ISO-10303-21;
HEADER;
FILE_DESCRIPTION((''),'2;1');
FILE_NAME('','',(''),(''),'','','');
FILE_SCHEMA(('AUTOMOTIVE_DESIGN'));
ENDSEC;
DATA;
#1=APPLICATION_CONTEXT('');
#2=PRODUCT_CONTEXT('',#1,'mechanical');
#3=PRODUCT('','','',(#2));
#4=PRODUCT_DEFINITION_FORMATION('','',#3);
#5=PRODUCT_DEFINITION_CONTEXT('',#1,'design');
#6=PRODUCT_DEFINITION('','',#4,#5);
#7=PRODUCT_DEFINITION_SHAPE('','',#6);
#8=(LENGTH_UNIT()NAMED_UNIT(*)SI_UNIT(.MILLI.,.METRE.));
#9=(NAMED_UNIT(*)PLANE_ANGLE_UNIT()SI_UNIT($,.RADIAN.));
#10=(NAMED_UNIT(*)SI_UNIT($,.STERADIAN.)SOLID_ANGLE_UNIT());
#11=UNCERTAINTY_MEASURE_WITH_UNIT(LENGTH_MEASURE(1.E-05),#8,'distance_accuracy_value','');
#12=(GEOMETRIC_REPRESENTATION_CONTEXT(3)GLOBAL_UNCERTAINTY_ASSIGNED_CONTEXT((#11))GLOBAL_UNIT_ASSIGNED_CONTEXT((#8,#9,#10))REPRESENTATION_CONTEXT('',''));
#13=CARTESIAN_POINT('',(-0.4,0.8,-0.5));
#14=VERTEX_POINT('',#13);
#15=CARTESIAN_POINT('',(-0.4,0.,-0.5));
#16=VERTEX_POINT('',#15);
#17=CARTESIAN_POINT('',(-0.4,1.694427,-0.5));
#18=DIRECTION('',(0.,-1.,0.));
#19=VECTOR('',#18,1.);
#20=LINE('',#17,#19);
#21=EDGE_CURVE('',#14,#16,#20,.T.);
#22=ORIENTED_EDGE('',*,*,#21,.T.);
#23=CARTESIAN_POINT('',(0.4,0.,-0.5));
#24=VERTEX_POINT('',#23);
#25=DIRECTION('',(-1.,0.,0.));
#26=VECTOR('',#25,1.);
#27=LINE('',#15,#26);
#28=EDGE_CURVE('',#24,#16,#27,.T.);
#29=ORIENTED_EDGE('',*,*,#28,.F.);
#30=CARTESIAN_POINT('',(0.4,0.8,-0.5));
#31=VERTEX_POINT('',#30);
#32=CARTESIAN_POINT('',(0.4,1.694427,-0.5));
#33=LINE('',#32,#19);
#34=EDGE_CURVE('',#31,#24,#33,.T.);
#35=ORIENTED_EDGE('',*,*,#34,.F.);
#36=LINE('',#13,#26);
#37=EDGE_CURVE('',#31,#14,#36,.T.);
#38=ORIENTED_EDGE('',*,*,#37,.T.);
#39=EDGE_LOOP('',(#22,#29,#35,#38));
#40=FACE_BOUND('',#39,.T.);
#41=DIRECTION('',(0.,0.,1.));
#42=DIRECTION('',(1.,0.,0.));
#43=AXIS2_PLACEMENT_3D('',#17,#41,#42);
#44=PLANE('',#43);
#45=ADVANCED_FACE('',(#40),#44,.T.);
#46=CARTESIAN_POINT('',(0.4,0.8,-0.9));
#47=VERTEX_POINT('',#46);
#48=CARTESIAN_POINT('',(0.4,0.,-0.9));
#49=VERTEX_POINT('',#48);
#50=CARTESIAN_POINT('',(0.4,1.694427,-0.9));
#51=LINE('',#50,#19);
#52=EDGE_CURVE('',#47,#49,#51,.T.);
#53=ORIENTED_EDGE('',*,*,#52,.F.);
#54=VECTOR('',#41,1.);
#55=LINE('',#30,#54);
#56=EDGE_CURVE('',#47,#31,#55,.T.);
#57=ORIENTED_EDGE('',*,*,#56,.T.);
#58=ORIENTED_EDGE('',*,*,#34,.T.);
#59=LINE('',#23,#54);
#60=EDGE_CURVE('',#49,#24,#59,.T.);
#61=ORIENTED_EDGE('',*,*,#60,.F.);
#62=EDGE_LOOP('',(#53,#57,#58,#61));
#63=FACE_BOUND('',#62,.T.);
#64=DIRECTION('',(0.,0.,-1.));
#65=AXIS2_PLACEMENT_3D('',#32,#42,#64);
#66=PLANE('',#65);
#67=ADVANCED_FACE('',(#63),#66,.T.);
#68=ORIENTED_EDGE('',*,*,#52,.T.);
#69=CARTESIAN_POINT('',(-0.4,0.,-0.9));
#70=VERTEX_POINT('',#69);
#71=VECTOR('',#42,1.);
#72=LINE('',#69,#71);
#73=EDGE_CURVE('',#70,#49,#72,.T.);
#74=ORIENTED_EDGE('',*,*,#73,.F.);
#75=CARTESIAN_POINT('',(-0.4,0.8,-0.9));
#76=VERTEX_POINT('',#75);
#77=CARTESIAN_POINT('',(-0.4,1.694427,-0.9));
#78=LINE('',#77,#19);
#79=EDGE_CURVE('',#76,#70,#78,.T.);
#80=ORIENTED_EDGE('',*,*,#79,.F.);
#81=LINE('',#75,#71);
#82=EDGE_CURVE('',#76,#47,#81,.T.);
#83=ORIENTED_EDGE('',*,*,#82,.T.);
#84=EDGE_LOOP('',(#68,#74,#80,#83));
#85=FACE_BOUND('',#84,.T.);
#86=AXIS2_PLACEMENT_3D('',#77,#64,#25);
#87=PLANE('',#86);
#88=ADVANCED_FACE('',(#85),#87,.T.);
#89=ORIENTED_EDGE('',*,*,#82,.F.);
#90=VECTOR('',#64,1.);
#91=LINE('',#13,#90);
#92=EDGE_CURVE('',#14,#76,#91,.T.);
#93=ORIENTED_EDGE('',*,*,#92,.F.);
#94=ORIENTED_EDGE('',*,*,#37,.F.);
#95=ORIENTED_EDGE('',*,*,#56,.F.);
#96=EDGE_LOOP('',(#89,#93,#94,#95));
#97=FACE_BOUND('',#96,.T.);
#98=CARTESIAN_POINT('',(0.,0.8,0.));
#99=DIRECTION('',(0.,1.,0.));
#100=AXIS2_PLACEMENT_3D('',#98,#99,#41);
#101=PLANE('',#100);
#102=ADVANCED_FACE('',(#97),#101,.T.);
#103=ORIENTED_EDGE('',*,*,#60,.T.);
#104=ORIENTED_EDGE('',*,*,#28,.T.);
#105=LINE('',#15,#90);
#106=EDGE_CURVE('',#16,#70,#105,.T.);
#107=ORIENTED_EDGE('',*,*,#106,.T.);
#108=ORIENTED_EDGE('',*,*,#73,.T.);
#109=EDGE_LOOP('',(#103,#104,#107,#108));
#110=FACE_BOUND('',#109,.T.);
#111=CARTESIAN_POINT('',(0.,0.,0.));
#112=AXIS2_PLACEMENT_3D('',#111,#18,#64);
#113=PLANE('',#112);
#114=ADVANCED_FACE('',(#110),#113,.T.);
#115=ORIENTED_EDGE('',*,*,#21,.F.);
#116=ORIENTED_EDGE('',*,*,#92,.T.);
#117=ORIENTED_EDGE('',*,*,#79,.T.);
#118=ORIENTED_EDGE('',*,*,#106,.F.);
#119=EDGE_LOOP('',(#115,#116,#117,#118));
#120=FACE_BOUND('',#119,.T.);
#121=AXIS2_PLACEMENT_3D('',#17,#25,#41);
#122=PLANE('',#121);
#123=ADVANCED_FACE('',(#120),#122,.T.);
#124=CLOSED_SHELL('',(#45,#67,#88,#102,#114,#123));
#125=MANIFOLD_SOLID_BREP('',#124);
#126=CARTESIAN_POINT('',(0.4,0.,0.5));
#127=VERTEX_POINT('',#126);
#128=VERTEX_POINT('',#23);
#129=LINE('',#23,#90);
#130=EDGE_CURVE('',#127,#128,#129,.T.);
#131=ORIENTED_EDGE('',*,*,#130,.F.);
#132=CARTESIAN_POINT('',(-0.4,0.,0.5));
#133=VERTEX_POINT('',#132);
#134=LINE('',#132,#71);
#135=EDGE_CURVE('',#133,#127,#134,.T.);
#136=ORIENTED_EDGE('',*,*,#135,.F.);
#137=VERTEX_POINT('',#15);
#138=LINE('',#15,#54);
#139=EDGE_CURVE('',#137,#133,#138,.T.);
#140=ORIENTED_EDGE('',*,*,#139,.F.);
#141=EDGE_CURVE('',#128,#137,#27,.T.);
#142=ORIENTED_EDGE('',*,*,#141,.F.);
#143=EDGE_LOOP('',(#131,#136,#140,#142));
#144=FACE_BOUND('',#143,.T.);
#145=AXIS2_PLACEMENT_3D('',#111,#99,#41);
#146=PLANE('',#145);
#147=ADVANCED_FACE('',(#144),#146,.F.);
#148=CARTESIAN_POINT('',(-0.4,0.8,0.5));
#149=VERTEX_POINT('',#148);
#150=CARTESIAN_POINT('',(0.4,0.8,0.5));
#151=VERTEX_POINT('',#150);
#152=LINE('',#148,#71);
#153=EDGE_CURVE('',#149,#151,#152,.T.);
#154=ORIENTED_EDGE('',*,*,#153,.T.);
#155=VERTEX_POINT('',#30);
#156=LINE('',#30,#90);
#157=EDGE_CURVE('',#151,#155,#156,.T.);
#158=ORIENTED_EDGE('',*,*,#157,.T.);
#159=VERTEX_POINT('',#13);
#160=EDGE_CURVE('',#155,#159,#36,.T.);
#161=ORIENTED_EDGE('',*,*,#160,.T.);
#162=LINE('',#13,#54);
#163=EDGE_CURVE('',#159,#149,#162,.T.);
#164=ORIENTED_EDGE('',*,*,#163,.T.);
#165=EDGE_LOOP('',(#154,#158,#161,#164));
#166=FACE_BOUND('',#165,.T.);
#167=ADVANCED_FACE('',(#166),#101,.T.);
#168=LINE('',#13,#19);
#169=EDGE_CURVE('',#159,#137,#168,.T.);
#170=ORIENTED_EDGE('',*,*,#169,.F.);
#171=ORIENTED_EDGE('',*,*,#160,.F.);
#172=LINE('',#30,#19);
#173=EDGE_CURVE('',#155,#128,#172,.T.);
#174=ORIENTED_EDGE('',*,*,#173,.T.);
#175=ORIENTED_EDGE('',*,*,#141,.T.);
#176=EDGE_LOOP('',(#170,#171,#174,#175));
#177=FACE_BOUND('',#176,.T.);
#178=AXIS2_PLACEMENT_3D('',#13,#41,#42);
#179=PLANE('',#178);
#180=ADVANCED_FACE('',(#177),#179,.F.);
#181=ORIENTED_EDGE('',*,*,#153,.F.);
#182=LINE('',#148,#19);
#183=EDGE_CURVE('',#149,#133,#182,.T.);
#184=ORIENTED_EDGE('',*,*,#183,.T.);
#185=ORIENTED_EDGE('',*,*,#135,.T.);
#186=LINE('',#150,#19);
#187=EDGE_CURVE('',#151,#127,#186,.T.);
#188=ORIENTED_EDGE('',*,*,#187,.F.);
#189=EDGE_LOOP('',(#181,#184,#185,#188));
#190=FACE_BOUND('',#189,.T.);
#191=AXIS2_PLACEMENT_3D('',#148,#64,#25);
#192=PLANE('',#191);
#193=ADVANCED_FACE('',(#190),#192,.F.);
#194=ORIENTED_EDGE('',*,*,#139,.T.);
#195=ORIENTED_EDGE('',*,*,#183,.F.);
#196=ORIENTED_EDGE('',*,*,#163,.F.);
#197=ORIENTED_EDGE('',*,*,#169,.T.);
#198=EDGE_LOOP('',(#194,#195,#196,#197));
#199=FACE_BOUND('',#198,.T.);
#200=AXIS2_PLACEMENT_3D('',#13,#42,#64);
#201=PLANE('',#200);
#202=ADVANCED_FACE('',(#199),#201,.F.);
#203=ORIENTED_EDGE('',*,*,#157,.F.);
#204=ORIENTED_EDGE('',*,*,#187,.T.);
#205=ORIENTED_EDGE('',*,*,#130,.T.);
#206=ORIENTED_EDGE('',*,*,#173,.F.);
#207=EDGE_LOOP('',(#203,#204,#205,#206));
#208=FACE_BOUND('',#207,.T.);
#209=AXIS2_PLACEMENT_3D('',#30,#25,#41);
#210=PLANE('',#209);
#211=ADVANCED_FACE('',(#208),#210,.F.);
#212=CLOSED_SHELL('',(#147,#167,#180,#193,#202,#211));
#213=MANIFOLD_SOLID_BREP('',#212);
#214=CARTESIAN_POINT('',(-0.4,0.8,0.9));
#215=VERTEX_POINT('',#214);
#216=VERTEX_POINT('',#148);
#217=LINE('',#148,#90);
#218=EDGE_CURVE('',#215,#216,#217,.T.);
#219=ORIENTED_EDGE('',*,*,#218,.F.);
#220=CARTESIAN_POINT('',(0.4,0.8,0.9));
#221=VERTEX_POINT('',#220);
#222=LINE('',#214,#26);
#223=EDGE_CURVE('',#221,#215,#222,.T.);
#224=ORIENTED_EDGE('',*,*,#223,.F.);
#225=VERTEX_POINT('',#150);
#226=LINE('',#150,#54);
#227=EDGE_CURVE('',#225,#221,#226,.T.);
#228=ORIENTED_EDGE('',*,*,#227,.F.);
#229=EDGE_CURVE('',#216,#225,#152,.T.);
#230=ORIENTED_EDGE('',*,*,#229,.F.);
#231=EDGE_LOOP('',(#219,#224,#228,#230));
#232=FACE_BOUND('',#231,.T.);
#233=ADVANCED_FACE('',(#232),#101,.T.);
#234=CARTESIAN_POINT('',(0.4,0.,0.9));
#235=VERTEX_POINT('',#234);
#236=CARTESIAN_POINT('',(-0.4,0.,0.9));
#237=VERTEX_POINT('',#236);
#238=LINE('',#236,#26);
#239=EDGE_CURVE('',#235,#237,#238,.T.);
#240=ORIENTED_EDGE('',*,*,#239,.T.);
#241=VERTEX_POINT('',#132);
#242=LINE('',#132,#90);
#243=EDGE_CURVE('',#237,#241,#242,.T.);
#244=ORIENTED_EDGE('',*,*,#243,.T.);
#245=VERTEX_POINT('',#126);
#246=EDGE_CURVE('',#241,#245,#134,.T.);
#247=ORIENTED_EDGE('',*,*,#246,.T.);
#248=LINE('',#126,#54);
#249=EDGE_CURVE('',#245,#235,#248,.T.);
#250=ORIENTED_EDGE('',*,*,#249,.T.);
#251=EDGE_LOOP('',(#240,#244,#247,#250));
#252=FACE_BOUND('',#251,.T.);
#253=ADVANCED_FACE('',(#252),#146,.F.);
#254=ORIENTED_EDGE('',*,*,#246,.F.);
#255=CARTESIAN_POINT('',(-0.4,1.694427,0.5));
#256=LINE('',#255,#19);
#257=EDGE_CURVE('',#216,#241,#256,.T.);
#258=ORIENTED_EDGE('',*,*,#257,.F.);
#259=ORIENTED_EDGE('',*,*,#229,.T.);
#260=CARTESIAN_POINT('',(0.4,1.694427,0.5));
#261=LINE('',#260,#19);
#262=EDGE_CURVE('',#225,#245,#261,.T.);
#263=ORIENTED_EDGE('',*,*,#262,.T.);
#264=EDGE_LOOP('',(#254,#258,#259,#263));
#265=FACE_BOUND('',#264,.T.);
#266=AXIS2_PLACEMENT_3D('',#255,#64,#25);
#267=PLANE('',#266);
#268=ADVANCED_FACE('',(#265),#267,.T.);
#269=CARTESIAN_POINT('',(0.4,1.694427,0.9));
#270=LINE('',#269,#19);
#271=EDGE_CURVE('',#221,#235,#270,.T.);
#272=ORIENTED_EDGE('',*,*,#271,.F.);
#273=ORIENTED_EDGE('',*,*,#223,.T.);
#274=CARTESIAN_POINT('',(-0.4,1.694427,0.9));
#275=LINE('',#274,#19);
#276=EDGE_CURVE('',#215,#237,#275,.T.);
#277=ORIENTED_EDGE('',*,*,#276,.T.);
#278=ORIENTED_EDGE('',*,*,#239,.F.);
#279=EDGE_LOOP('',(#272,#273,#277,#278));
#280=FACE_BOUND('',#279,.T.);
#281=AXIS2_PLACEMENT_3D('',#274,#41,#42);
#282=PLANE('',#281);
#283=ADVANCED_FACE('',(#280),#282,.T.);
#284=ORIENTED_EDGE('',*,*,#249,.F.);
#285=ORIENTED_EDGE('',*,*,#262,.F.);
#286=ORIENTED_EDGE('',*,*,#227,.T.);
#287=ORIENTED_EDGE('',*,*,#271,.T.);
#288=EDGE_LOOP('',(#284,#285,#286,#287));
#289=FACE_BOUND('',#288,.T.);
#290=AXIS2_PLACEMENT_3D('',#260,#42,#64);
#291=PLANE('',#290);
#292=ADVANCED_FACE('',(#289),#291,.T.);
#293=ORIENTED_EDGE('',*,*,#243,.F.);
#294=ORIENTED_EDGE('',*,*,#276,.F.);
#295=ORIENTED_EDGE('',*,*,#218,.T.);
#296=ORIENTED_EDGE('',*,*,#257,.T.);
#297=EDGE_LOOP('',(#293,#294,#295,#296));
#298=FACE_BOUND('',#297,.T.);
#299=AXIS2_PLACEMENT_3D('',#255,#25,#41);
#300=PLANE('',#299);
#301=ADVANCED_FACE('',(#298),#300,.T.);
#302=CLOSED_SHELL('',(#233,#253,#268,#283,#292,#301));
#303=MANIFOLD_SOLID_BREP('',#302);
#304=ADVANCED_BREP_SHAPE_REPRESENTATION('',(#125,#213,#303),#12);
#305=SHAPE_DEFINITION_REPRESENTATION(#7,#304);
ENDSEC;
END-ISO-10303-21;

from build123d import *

# Parameters (mm, degrees)
MAINBODYS_W         = 0.8
MAINBODYS_H         = 1
MAINBODY_DEPTH      = 0.8
LEFTBODYS_W         = 0.8
LEFTBODYS_H         = 0.4
BOSS_EXTRUDE1_DEPTH = 0.8
RIGHTBODYS_W        = 0.8
RIGHTBODYS_H        = 0.4
BOSS_EXTRUDE2_DEPTH = 0.8


with BuildPart() as part:
    # MainBodyS → MainBody (new body)
    with BuildSketch(Plane(origin=(0, 0, 0), x_dir=(1, 0, 0), z_dir=(0, 1, 0))):
        Rectangle(MAINBODYS_W, MAINBODYS_H)
    extrude(amount=MAINBODY_DEPTH)


with BuildPart() as body_2:
    # LeftBodyS → Boss-Extrude1 (new body)
    with BuildSketch(Plane(origin=(0, 0, 0), x_dir=(-1, 0, 0), z_dir=(0, -1, 0))):
        with Locations((0, -0.7)):
            Rectangle(LEFTBODYS_W, LEFTBODYS_H)
    extrude(amount=-BOSS_EXTRUDE1_DEPTH)


with BuildPart() as body_3:
    # RightBodyS → Boss-Extrude2 (new body)
    with BuildSketch(Plane.XZ):
        with Locations((0, -0.7)):
            Rectangle(RIGHTBODYS_W, RIGHTBODYS_H)
    extrude(amount=-BOSS_EXTRUDE2_DEPTH)


solid = Compound([part.part, body_2.part, body_3.part])
